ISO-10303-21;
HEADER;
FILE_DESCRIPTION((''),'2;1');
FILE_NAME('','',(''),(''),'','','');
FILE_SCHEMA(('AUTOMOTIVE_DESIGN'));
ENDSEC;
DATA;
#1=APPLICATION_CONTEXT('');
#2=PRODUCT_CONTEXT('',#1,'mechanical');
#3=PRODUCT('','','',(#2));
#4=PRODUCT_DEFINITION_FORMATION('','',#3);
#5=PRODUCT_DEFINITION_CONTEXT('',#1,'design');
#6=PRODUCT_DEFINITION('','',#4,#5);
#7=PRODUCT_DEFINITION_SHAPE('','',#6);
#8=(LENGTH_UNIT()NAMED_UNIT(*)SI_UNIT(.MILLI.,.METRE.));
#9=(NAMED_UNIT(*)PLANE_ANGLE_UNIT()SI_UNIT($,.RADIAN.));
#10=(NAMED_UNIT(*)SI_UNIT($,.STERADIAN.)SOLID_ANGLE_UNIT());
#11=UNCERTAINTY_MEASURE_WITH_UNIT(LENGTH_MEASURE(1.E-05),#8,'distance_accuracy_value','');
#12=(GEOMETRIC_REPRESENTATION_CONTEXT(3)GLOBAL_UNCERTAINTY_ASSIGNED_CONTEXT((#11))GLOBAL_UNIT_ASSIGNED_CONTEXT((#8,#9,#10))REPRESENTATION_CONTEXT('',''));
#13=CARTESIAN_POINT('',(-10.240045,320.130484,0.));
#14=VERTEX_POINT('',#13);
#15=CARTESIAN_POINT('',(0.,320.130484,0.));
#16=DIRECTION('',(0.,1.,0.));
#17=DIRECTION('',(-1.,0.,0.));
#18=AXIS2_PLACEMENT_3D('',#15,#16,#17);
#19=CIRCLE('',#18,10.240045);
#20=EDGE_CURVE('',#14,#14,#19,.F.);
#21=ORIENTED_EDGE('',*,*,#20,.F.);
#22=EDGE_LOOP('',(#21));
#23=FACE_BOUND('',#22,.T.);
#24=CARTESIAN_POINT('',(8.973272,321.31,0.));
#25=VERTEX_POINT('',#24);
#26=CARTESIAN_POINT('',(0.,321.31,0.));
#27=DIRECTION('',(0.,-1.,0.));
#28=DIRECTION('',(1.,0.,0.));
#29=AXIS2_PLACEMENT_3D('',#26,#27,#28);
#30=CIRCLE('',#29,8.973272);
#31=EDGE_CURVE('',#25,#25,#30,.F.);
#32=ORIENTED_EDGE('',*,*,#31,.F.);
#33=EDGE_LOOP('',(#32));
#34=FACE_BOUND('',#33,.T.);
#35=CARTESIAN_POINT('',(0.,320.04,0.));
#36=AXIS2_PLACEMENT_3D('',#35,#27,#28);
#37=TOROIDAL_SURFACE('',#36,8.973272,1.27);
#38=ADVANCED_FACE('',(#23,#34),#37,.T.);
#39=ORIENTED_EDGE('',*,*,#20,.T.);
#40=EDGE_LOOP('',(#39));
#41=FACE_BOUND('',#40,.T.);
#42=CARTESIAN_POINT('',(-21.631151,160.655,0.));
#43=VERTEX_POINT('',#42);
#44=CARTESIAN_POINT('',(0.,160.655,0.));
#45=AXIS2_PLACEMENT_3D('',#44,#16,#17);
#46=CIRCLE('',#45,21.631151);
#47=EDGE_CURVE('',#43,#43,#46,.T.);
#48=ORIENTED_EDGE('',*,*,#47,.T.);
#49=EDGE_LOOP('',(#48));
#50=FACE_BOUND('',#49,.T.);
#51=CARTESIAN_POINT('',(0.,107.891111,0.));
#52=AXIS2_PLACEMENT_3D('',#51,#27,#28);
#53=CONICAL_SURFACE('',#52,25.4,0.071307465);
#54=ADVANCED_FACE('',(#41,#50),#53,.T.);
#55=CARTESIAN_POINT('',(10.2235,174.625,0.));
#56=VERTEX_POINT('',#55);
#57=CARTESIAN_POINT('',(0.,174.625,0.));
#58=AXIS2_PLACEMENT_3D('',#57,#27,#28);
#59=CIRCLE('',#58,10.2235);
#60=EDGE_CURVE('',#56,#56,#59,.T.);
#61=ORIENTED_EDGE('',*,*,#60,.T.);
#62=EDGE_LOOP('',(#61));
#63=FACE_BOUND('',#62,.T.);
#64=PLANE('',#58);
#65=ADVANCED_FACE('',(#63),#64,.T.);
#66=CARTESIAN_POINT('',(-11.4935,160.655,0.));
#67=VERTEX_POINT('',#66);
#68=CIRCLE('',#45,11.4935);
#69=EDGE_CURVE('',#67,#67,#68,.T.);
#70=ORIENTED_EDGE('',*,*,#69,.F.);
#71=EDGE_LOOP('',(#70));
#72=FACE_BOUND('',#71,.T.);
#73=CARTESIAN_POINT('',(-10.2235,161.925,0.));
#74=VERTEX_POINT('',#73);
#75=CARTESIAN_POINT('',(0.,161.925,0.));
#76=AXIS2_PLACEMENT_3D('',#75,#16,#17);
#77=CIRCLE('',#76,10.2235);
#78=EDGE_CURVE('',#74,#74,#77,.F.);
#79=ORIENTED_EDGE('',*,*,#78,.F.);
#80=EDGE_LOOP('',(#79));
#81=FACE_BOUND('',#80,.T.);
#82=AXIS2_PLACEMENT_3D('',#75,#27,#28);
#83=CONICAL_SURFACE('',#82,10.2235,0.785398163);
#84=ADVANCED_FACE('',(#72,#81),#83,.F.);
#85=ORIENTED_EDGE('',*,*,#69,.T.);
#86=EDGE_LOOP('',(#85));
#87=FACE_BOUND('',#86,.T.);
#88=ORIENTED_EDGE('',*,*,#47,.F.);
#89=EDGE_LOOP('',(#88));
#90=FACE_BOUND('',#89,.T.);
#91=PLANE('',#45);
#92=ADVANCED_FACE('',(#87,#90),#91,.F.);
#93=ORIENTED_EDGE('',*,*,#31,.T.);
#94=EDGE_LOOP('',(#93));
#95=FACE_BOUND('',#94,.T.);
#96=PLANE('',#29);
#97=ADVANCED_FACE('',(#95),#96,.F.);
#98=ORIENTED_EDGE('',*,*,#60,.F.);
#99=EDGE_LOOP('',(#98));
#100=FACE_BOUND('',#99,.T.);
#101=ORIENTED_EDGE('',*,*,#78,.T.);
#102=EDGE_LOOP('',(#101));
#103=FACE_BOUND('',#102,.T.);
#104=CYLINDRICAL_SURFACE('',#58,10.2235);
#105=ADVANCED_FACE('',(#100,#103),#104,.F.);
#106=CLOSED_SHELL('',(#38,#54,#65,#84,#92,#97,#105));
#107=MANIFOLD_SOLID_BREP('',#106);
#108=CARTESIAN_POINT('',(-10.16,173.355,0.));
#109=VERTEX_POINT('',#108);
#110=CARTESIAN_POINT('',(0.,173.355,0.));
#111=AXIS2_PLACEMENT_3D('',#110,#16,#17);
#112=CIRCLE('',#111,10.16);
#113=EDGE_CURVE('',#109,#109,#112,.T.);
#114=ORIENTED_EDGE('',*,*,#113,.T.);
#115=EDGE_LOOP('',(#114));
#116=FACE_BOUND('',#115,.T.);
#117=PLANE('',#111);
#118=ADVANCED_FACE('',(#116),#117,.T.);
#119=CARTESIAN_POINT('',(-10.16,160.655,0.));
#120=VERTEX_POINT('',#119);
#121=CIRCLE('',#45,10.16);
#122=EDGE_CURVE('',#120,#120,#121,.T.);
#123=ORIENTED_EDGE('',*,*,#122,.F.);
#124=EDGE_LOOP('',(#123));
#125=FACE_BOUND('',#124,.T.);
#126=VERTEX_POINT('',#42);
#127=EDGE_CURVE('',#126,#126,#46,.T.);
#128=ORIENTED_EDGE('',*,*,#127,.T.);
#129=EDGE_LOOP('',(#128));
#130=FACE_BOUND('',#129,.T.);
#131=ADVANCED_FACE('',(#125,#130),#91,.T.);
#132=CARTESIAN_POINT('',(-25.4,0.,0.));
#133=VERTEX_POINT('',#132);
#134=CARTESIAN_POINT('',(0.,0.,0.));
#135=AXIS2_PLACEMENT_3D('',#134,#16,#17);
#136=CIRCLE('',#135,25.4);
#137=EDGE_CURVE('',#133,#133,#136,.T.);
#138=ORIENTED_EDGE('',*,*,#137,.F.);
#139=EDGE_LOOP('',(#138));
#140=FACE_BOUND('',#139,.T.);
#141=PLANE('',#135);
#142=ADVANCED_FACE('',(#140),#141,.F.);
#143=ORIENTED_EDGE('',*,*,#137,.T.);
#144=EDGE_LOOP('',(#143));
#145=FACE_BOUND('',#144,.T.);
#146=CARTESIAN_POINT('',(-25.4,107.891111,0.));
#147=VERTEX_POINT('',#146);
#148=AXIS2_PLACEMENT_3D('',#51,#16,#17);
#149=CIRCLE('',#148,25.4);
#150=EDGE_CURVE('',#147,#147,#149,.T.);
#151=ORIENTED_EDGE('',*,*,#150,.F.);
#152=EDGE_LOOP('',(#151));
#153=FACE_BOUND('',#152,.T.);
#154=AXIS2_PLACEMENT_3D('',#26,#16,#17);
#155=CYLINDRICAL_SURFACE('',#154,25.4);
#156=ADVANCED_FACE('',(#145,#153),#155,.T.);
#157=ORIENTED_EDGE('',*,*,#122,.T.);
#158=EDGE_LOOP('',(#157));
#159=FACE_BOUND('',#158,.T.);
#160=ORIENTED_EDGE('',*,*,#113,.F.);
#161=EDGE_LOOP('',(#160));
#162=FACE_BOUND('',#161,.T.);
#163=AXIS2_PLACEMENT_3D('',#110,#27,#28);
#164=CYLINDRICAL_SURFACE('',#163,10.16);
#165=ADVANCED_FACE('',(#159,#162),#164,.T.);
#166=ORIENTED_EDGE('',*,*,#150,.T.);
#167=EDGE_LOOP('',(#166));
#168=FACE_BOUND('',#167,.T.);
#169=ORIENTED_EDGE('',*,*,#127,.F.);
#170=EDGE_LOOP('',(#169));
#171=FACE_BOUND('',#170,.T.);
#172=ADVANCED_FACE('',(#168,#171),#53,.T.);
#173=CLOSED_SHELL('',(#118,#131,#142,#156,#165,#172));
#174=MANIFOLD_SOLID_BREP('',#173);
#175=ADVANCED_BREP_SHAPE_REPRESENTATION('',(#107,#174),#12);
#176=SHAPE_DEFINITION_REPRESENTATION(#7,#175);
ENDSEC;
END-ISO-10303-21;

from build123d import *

# Parameters (mm, degrees)
FILLET1_R           = 1.27
SKETCH4_R           = 10.16
BOSS_EXTRUDE1_DEPTH = 12.7
SKETCH5_R           = 10.2235
CUT_EXTRUDE1_DEPTH  = 13.97
CHAMFER1_SIZE       = 1.27


with BuildPart() as part:
    # Sketch1 → Revolve1 (revolve)
    with BuildSketch(Plane.XY):
        Polygon((0, 0), (25.4, 0), (25.4, 107.891110733), (10.155793624, 321.31), (0, 321.31), align=None)
    revolve(axis=Axis((0, 321.31, 0), (0, -1, 0)))

    # Fillet1
    fillet1_edges = [part.edges().sort_by_distance(p)[0] for p in [
        (-10.155793624, 321.31, 0),
    ]]
    fillet(fillet1_edges, radius=FILLET1_R)


with BuildPart() as body_2:
    # Split1: the piece on the far side of the plane
    add(part.part)
    split(bisect_by=Plane(origin=(0, 160.655, 0), x_dir=(1, 0, 0), z_dir=(0, 1, 0)), keep=Keep.BOTTOM)

    # Sketch4 → Boss-Extrude1 (add)
    with BuildSketch(Plane(origin=(0, 160.655, 0), x_dir=(1, 0, 0), z_dir=(0, 1, 0))):
        Circle(SKETCH4_R)
    extrude(amount=BOSS_EXTRUDE1_DEPTH)


with BuildPart() as part_1:
    add(part.part)

    # Split1
    split(bisect_by=Plane(origin=(0, 160.655, 0), x_dir=(1, 0, 0), z_dir=(0, 1, 0)), keep=Keep.TOP)

    # Sketch5 → Cut-Extrude1 (cut)
    with BuildSketch(Plane.XZ.offset(-160.655)):
        Circle(SKETCH5_R)
    extrude(amount=-CUT_EXTRUDE1_DEPTH, mode=Mode.SUBTRACT)

    # Chamfer1
    chamfer1_edges = [part_1.edges().sort_by_distance(p)[0] for p in [
        (-10.2235, 160.655, 0),
    ]]
    chamfer(chamfer1_edges, length=CHAMFER1_SIZE)


solid = Compound([body_2.part, part_1.part])
